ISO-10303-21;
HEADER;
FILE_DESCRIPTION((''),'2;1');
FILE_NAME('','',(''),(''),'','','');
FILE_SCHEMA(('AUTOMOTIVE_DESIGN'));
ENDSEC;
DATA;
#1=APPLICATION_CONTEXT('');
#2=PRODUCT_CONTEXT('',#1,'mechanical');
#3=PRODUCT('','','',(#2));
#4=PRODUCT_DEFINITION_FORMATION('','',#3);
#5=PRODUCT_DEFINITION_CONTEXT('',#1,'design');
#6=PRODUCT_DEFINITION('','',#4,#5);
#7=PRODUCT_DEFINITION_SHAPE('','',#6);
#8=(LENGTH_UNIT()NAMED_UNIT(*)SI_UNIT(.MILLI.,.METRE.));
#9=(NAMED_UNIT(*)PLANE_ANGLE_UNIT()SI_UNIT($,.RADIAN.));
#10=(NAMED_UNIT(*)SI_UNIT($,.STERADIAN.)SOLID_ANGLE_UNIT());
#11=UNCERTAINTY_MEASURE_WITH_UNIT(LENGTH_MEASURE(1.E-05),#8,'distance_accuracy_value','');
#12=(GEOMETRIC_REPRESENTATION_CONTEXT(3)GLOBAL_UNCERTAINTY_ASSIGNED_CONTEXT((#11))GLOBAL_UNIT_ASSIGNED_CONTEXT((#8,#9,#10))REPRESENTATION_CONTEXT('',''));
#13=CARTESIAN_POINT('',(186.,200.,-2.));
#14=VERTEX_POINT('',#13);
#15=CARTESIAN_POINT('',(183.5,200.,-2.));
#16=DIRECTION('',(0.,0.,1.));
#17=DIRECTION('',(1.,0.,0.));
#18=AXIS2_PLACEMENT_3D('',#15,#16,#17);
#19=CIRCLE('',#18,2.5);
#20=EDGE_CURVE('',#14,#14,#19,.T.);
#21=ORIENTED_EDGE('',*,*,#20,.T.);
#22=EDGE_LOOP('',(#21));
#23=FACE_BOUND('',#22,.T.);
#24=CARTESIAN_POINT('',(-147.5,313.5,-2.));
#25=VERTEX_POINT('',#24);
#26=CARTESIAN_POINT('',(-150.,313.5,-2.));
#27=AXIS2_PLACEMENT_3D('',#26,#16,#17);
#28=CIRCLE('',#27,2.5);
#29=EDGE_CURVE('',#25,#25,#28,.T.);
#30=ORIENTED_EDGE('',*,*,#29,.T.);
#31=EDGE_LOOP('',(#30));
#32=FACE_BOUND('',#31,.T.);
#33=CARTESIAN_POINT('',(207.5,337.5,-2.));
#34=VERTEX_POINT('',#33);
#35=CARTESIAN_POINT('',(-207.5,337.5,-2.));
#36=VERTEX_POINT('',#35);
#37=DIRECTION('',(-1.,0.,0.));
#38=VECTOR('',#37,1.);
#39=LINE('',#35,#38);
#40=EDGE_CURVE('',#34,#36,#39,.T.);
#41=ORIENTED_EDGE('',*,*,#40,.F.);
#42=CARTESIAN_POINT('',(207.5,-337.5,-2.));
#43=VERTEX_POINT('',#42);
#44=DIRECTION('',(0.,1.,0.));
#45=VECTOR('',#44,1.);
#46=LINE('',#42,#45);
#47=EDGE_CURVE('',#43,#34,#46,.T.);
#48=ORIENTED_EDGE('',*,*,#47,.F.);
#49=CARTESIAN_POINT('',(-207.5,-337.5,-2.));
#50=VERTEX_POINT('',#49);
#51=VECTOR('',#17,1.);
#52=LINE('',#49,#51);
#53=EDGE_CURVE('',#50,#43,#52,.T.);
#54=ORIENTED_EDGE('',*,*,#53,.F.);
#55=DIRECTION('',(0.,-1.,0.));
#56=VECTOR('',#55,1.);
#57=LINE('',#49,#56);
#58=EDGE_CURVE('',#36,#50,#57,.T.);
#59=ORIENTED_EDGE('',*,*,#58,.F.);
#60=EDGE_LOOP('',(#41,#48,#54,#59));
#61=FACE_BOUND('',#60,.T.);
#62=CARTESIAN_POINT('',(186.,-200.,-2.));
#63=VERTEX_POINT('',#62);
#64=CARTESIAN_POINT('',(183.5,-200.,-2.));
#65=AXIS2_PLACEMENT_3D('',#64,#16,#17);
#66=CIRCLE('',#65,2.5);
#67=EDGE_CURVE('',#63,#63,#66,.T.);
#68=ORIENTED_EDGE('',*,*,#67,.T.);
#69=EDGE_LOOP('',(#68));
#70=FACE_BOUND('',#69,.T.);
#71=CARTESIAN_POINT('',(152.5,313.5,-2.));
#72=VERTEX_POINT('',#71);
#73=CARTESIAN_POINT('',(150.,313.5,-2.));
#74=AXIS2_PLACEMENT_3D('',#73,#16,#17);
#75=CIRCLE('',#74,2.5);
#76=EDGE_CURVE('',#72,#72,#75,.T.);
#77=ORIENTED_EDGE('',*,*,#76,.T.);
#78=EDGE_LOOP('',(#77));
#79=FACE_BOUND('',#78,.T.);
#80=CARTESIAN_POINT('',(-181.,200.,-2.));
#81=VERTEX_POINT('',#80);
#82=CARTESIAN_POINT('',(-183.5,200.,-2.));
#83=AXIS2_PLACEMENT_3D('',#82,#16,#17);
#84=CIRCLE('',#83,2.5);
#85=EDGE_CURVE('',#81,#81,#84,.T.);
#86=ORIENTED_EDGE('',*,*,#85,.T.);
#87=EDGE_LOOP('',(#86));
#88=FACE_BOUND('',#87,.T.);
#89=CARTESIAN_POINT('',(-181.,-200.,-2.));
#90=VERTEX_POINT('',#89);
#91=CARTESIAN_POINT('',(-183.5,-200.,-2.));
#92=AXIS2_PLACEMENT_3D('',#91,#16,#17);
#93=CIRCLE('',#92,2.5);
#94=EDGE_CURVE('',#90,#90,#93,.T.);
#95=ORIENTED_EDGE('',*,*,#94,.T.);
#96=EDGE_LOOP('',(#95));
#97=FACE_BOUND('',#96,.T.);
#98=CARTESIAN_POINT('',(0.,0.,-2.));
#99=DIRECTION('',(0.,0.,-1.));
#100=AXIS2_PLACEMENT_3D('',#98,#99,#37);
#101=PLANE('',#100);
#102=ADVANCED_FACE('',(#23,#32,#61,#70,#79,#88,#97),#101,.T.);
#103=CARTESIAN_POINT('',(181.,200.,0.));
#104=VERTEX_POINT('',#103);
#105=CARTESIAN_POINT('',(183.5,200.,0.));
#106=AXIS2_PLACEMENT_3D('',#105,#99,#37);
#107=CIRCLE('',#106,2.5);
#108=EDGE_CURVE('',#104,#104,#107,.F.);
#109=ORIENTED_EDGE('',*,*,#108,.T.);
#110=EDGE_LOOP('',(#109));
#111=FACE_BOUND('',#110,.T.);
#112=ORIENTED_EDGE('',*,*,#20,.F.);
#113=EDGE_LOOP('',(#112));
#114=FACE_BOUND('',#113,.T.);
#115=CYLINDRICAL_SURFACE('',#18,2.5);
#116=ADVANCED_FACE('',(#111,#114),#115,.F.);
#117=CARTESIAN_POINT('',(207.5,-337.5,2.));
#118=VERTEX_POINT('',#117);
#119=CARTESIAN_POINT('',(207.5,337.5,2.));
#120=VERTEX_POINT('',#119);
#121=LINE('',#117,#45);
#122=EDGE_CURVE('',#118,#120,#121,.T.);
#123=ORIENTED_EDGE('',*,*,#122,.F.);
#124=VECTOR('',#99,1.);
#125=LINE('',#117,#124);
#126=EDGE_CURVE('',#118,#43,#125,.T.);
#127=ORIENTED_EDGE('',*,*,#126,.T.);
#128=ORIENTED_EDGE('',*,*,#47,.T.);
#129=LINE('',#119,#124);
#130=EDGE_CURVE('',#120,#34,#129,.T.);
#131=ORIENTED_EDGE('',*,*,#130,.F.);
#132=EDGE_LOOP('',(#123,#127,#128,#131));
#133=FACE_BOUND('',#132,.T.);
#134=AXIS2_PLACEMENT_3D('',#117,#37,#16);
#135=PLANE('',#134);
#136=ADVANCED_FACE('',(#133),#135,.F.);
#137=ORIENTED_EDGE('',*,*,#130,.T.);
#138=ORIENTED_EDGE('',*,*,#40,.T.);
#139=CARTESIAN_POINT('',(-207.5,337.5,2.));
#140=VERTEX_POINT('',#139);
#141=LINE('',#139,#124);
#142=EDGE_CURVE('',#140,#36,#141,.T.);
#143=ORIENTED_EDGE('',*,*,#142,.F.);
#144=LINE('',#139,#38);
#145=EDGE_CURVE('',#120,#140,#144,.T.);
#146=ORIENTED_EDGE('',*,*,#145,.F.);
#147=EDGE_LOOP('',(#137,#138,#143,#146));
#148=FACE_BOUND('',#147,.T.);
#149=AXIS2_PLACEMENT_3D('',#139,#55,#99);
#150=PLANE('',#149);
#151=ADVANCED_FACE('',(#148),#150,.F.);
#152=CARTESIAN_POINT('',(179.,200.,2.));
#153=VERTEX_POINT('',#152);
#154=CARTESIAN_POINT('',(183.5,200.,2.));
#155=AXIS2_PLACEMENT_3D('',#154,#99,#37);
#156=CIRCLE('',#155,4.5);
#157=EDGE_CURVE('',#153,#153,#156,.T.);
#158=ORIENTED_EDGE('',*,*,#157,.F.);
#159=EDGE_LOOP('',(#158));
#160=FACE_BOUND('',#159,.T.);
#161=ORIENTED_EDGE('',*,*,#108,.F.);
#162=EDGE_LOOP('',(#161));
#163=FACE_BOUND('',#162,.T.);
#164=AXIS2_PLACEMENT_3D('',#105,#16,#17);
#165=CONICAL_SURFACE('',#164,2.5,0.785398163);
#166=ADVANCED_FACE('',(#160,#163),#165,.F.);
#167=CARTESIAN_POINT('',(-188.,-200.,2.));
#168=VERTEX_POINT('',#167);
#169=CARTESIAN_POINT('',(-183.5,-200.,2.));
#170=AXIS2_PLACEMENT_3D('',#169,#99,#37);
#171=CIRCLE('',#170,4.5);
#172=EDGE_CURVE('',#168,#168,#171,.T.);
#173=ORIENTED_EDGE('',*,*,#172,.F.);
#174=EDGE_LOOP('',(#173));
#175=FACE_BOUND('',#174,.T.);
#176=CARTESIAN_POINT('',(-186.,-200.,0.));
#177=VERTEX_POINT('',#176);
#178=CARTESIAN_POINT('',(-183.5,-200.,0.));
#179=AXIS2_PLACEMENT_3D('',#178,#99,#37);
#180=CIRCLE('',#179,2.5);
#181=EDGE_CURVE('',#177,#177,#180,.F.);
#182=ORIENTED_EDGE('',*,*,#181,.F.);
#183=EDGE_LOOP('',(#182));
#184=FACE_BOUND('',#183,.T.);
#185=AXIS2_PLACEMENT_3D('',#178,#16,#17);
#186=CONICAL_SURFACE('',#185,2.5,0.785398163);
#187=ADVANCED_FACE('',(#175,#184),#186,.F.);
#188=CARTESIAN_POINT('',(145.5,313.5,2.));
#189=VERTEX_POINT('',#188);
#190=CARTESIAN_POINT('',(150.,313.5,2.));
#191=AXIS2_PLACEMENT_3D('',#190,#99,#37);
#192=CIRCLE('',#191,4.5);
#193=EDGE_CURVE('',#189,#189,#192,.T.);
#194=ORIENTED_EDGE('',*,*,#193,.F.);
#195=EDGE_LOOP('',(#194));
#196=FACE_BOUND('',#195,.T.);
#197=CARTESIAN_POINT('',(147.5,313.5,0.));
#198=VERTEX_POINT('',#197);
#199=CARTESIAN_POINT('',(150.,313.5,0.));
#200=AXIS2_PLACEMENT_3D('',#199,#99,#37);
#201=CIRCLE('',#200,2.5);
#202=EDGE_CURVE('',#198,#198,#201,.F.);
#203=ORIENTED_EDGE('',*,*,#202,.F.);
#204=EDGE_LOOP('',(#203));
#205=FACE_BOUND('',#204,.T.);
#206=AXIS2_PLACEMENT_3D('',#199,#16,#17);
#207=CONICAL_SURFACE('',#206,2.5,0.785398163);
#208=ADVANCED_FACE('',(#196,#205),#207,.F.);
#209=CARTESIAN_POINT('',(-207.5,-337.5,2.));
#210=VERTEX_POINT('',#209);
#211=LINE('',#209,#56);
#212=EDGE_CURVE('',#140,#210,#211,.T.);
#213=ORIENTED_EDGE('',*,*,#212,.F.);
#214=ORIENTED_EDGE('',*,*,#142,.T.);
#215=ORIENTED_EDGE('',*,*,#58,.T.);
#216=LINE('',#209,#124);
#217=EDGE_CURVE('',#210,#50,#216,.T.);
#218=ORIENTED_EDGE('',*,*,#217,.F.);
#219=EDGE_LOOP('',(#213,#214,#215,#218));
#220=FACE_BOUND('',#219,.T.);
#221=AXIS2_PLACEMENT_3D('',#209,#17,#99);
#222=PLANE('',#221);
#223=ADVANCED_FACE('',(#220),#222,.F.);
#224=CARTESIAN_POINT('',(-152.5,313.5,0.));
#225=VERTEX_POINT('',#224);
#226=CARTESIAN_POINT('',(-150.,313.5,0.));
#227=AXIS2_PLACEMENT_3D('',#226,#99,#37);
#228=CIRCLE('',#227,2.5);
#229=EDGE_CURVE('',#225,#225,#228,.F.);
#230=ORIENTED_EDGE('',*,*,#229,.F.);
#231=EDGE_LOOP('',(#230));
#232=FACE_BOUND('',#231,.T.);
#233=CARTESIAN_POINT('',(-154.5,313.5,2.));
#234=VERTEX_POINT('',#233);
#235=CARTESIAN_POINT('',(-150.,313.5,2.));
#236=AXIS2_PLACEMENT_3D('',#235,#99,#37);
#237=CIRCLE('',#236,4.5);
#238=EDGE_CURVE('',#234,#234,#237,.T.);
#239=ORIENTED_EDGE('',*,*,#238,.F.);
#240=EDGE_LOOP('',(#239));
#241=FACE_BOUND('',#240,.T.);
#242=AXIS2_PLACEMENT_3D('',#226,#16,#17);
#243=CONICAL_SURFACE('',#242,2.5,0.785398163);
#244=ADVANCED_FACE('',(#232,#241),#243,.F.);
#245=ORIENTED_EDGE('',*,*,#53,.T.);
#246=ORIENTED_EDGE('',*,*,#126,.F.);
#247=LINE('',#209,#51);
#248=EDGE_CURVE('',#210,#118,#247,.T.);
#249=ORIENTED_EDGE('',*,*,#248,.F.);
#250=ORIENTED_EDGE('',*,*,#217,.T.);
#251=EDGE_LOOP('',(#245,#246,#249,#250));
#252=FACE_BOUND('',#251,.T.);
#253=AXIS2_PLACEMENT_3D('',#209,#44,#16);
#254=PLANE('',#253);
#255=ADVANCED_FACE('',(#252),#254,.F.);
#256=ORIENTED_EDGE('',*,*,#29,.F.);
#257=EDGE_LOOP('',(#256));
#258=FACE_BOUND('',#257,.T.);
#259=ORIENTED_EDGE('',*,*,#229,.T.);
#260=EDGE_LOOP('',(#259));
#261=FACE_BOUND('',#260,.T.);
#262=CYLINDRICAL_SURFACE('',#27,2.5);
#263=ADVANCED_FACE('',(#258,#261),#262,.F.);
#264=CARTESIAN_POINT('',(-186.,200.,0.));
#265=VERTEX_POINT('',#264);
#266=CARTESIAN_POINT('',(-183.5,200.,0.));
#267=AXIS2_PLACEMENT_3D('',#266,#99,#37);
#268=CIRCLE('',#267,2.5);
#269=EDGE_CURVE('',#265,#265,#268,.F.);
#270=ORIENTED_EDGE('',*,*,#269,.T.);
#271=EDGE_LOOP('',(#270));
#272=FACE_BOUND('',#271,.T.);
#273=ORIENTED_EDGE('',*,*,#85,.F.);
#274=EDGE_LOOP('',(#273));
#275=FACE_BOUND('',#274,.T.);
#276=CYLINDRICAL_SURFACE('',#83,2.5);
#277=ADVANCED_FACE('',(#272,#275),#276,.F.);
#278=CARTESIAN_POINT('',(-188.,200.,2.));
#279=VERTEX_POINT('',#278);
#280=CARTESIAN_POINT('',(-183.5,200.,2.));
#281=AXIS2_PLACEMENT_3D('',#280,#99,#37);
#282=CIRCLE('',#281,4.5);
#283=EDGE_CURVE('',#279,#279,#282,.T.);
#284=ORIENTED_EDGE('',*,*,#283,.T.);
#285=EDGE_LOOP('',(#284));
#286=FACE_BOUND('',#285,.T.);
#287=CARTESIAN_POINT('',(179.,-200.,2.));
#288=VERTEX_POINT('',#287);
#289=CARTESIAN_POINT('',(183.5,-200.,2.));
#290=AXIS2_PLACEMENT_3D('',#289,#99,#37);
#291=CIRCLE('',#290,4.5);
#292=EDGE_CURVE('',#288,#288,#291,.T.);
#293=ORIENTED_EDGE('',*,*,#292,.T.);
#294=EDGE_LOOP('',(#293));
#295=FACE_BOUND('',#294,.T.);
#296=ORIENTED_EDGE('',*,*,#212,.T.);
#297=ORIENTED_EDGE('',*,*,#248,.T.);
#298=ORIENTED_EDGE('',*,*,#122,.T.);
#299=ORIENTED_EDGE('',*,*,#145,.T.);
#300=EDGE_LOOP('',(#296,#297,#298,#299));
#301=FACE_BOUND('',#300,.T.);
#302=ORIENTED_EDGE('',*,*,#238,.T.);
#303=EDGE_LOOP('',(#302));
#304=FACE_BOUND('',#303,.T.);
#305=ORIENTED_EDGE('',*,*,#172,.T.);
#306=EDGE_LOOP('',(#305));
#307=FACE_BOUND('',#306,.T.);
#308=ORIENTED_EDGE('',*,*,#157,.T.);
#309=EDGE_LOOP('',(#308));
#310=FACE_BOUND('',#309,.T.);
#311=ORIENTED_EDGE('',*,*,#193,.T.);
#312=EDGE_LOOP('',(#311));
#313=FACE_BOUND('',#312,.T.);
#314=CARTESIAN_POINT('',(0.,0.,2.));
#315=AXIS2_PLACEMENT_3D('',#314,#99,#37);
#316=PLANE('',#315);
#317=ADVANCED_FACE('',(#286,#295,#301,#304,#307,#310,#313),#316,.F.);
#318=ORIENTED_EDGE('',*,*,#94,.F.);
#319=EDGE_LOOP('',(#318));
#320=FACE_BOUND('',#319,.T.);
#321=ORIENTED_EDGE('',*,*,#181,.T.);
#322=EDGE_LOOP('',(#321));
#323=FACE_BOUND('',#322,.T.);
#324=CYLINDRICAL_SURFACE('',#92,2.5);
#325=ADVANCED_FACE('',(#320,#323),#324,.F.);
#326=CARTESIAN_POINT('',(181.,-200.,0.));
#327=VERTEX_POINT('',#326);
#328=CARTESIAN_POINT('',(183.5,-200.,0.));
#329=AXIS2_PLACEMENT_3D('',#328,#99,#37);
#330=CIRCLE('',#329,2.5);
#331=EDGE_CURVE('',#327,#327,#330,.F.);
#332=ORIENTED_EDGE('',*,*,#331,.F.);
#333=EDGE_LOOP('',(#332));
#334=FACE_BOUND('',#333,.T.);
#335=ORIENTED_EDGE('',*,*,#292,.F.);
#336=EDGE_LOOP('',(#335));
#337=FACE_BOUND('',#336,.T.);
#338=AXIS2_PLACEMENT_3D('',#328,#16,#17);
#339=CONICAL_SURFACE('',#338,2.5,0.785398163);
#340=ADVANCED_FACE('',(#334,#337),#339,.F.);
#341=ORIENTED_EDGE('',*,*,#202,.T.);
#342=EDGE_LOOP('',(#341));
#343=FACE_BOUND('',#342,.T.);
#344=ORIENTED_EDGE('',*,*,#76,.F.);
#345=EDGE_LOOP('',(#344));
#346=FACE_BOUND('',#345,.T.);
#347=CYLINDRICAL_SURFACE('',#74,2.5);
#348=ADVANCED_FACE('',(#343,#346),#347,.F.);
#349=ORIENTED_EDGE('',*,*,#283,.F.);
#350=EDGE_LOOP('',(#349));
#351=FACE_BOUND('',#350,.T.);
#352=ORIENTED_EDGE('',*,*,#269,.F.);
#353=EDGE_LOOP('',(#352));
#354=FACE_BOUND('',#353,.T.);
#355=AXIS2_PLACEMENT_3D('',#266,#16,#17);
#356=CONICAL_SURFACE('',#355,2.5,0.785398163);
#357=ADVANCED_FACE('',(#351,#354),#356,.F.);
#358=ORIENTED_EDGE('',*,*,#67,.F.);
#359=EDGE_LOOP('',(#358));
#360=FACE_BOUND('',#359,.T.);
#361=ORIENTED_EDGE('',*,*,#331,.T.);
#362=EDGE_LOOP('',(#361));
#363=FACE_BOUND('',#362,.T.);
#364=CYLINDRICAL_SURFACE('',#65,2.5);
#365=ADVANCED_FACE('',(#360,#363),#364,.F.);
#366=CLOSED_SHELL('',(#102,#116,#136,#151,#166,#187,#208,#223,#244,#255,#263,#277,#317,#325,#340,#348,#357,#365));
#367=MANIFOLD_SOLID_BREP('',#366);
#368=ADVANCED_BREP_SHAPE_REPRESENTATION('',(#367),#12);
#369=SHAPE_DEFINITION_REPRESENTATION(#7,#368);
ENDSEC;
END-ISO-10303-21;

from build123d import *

# Parameters (mm, degrees)
ESQUISSE1_W             = 415
ESQUISSE1_H             = 675
BOSS_EXTRU_1_DEPTH      = 2
ESQUISSE2_R             = 2.5
ENL_V_MAT_EXTRU_1_DEPTH = 397.205123642
CHANFREIN1_SIZE         = 2


with BuildPart() as part:
    # Esquisse1 → Boss.-Extru.1 (new, symmetric)
    with BuildSketch(Plane.XY):
        Rectangle(ESQUISSE1_W, ESQUISSE1_H)
    extrude(amount=BOSS_EXTRU_1_DEPTH, both=True)

    # Esquisse2 → Enlèv. mat.-Extru.1 (cut, through all)
    with BuildSketch(Plane.XY.offset(2)):
        with Locations((183.5, 200)):
            Circle(ESQUISSE2_R)
        with Locations((183.5, -200)):
            Circle(ESQUISSE2_R)
        with Locations((150, 313.5)):
            Circle(ESQUISSE2_R)
        with Locations((-150, 313.5)):
            Circle(ESQUISSE2_R)
        with Locations((-183.5, 200)):
            Circle(ESQUISSE2_R)
        with Locations((-183.5, -200)):
            Circle(ESQUISSE2_R)
    extrude(amount=-ENL_V_MAT_EXTRU_1_DEPTH, mode=Mode.SUBTRACT)

    # Chanfrein1
    chanfrein1_edges = [part.edges().sort_by_distance(p)[0] for p in [
        (181, -200, 2),
        (147.5, 313.5, 2),
        (-152.5, 313.5, 2),
        (-186, 200, 2),
        (-186, -200, 2),
        (181, 200, 2),
    ]]
    chamfer(chanfrein1_edges, length=CHANFREIN1_SIZE)


solid = part.part
